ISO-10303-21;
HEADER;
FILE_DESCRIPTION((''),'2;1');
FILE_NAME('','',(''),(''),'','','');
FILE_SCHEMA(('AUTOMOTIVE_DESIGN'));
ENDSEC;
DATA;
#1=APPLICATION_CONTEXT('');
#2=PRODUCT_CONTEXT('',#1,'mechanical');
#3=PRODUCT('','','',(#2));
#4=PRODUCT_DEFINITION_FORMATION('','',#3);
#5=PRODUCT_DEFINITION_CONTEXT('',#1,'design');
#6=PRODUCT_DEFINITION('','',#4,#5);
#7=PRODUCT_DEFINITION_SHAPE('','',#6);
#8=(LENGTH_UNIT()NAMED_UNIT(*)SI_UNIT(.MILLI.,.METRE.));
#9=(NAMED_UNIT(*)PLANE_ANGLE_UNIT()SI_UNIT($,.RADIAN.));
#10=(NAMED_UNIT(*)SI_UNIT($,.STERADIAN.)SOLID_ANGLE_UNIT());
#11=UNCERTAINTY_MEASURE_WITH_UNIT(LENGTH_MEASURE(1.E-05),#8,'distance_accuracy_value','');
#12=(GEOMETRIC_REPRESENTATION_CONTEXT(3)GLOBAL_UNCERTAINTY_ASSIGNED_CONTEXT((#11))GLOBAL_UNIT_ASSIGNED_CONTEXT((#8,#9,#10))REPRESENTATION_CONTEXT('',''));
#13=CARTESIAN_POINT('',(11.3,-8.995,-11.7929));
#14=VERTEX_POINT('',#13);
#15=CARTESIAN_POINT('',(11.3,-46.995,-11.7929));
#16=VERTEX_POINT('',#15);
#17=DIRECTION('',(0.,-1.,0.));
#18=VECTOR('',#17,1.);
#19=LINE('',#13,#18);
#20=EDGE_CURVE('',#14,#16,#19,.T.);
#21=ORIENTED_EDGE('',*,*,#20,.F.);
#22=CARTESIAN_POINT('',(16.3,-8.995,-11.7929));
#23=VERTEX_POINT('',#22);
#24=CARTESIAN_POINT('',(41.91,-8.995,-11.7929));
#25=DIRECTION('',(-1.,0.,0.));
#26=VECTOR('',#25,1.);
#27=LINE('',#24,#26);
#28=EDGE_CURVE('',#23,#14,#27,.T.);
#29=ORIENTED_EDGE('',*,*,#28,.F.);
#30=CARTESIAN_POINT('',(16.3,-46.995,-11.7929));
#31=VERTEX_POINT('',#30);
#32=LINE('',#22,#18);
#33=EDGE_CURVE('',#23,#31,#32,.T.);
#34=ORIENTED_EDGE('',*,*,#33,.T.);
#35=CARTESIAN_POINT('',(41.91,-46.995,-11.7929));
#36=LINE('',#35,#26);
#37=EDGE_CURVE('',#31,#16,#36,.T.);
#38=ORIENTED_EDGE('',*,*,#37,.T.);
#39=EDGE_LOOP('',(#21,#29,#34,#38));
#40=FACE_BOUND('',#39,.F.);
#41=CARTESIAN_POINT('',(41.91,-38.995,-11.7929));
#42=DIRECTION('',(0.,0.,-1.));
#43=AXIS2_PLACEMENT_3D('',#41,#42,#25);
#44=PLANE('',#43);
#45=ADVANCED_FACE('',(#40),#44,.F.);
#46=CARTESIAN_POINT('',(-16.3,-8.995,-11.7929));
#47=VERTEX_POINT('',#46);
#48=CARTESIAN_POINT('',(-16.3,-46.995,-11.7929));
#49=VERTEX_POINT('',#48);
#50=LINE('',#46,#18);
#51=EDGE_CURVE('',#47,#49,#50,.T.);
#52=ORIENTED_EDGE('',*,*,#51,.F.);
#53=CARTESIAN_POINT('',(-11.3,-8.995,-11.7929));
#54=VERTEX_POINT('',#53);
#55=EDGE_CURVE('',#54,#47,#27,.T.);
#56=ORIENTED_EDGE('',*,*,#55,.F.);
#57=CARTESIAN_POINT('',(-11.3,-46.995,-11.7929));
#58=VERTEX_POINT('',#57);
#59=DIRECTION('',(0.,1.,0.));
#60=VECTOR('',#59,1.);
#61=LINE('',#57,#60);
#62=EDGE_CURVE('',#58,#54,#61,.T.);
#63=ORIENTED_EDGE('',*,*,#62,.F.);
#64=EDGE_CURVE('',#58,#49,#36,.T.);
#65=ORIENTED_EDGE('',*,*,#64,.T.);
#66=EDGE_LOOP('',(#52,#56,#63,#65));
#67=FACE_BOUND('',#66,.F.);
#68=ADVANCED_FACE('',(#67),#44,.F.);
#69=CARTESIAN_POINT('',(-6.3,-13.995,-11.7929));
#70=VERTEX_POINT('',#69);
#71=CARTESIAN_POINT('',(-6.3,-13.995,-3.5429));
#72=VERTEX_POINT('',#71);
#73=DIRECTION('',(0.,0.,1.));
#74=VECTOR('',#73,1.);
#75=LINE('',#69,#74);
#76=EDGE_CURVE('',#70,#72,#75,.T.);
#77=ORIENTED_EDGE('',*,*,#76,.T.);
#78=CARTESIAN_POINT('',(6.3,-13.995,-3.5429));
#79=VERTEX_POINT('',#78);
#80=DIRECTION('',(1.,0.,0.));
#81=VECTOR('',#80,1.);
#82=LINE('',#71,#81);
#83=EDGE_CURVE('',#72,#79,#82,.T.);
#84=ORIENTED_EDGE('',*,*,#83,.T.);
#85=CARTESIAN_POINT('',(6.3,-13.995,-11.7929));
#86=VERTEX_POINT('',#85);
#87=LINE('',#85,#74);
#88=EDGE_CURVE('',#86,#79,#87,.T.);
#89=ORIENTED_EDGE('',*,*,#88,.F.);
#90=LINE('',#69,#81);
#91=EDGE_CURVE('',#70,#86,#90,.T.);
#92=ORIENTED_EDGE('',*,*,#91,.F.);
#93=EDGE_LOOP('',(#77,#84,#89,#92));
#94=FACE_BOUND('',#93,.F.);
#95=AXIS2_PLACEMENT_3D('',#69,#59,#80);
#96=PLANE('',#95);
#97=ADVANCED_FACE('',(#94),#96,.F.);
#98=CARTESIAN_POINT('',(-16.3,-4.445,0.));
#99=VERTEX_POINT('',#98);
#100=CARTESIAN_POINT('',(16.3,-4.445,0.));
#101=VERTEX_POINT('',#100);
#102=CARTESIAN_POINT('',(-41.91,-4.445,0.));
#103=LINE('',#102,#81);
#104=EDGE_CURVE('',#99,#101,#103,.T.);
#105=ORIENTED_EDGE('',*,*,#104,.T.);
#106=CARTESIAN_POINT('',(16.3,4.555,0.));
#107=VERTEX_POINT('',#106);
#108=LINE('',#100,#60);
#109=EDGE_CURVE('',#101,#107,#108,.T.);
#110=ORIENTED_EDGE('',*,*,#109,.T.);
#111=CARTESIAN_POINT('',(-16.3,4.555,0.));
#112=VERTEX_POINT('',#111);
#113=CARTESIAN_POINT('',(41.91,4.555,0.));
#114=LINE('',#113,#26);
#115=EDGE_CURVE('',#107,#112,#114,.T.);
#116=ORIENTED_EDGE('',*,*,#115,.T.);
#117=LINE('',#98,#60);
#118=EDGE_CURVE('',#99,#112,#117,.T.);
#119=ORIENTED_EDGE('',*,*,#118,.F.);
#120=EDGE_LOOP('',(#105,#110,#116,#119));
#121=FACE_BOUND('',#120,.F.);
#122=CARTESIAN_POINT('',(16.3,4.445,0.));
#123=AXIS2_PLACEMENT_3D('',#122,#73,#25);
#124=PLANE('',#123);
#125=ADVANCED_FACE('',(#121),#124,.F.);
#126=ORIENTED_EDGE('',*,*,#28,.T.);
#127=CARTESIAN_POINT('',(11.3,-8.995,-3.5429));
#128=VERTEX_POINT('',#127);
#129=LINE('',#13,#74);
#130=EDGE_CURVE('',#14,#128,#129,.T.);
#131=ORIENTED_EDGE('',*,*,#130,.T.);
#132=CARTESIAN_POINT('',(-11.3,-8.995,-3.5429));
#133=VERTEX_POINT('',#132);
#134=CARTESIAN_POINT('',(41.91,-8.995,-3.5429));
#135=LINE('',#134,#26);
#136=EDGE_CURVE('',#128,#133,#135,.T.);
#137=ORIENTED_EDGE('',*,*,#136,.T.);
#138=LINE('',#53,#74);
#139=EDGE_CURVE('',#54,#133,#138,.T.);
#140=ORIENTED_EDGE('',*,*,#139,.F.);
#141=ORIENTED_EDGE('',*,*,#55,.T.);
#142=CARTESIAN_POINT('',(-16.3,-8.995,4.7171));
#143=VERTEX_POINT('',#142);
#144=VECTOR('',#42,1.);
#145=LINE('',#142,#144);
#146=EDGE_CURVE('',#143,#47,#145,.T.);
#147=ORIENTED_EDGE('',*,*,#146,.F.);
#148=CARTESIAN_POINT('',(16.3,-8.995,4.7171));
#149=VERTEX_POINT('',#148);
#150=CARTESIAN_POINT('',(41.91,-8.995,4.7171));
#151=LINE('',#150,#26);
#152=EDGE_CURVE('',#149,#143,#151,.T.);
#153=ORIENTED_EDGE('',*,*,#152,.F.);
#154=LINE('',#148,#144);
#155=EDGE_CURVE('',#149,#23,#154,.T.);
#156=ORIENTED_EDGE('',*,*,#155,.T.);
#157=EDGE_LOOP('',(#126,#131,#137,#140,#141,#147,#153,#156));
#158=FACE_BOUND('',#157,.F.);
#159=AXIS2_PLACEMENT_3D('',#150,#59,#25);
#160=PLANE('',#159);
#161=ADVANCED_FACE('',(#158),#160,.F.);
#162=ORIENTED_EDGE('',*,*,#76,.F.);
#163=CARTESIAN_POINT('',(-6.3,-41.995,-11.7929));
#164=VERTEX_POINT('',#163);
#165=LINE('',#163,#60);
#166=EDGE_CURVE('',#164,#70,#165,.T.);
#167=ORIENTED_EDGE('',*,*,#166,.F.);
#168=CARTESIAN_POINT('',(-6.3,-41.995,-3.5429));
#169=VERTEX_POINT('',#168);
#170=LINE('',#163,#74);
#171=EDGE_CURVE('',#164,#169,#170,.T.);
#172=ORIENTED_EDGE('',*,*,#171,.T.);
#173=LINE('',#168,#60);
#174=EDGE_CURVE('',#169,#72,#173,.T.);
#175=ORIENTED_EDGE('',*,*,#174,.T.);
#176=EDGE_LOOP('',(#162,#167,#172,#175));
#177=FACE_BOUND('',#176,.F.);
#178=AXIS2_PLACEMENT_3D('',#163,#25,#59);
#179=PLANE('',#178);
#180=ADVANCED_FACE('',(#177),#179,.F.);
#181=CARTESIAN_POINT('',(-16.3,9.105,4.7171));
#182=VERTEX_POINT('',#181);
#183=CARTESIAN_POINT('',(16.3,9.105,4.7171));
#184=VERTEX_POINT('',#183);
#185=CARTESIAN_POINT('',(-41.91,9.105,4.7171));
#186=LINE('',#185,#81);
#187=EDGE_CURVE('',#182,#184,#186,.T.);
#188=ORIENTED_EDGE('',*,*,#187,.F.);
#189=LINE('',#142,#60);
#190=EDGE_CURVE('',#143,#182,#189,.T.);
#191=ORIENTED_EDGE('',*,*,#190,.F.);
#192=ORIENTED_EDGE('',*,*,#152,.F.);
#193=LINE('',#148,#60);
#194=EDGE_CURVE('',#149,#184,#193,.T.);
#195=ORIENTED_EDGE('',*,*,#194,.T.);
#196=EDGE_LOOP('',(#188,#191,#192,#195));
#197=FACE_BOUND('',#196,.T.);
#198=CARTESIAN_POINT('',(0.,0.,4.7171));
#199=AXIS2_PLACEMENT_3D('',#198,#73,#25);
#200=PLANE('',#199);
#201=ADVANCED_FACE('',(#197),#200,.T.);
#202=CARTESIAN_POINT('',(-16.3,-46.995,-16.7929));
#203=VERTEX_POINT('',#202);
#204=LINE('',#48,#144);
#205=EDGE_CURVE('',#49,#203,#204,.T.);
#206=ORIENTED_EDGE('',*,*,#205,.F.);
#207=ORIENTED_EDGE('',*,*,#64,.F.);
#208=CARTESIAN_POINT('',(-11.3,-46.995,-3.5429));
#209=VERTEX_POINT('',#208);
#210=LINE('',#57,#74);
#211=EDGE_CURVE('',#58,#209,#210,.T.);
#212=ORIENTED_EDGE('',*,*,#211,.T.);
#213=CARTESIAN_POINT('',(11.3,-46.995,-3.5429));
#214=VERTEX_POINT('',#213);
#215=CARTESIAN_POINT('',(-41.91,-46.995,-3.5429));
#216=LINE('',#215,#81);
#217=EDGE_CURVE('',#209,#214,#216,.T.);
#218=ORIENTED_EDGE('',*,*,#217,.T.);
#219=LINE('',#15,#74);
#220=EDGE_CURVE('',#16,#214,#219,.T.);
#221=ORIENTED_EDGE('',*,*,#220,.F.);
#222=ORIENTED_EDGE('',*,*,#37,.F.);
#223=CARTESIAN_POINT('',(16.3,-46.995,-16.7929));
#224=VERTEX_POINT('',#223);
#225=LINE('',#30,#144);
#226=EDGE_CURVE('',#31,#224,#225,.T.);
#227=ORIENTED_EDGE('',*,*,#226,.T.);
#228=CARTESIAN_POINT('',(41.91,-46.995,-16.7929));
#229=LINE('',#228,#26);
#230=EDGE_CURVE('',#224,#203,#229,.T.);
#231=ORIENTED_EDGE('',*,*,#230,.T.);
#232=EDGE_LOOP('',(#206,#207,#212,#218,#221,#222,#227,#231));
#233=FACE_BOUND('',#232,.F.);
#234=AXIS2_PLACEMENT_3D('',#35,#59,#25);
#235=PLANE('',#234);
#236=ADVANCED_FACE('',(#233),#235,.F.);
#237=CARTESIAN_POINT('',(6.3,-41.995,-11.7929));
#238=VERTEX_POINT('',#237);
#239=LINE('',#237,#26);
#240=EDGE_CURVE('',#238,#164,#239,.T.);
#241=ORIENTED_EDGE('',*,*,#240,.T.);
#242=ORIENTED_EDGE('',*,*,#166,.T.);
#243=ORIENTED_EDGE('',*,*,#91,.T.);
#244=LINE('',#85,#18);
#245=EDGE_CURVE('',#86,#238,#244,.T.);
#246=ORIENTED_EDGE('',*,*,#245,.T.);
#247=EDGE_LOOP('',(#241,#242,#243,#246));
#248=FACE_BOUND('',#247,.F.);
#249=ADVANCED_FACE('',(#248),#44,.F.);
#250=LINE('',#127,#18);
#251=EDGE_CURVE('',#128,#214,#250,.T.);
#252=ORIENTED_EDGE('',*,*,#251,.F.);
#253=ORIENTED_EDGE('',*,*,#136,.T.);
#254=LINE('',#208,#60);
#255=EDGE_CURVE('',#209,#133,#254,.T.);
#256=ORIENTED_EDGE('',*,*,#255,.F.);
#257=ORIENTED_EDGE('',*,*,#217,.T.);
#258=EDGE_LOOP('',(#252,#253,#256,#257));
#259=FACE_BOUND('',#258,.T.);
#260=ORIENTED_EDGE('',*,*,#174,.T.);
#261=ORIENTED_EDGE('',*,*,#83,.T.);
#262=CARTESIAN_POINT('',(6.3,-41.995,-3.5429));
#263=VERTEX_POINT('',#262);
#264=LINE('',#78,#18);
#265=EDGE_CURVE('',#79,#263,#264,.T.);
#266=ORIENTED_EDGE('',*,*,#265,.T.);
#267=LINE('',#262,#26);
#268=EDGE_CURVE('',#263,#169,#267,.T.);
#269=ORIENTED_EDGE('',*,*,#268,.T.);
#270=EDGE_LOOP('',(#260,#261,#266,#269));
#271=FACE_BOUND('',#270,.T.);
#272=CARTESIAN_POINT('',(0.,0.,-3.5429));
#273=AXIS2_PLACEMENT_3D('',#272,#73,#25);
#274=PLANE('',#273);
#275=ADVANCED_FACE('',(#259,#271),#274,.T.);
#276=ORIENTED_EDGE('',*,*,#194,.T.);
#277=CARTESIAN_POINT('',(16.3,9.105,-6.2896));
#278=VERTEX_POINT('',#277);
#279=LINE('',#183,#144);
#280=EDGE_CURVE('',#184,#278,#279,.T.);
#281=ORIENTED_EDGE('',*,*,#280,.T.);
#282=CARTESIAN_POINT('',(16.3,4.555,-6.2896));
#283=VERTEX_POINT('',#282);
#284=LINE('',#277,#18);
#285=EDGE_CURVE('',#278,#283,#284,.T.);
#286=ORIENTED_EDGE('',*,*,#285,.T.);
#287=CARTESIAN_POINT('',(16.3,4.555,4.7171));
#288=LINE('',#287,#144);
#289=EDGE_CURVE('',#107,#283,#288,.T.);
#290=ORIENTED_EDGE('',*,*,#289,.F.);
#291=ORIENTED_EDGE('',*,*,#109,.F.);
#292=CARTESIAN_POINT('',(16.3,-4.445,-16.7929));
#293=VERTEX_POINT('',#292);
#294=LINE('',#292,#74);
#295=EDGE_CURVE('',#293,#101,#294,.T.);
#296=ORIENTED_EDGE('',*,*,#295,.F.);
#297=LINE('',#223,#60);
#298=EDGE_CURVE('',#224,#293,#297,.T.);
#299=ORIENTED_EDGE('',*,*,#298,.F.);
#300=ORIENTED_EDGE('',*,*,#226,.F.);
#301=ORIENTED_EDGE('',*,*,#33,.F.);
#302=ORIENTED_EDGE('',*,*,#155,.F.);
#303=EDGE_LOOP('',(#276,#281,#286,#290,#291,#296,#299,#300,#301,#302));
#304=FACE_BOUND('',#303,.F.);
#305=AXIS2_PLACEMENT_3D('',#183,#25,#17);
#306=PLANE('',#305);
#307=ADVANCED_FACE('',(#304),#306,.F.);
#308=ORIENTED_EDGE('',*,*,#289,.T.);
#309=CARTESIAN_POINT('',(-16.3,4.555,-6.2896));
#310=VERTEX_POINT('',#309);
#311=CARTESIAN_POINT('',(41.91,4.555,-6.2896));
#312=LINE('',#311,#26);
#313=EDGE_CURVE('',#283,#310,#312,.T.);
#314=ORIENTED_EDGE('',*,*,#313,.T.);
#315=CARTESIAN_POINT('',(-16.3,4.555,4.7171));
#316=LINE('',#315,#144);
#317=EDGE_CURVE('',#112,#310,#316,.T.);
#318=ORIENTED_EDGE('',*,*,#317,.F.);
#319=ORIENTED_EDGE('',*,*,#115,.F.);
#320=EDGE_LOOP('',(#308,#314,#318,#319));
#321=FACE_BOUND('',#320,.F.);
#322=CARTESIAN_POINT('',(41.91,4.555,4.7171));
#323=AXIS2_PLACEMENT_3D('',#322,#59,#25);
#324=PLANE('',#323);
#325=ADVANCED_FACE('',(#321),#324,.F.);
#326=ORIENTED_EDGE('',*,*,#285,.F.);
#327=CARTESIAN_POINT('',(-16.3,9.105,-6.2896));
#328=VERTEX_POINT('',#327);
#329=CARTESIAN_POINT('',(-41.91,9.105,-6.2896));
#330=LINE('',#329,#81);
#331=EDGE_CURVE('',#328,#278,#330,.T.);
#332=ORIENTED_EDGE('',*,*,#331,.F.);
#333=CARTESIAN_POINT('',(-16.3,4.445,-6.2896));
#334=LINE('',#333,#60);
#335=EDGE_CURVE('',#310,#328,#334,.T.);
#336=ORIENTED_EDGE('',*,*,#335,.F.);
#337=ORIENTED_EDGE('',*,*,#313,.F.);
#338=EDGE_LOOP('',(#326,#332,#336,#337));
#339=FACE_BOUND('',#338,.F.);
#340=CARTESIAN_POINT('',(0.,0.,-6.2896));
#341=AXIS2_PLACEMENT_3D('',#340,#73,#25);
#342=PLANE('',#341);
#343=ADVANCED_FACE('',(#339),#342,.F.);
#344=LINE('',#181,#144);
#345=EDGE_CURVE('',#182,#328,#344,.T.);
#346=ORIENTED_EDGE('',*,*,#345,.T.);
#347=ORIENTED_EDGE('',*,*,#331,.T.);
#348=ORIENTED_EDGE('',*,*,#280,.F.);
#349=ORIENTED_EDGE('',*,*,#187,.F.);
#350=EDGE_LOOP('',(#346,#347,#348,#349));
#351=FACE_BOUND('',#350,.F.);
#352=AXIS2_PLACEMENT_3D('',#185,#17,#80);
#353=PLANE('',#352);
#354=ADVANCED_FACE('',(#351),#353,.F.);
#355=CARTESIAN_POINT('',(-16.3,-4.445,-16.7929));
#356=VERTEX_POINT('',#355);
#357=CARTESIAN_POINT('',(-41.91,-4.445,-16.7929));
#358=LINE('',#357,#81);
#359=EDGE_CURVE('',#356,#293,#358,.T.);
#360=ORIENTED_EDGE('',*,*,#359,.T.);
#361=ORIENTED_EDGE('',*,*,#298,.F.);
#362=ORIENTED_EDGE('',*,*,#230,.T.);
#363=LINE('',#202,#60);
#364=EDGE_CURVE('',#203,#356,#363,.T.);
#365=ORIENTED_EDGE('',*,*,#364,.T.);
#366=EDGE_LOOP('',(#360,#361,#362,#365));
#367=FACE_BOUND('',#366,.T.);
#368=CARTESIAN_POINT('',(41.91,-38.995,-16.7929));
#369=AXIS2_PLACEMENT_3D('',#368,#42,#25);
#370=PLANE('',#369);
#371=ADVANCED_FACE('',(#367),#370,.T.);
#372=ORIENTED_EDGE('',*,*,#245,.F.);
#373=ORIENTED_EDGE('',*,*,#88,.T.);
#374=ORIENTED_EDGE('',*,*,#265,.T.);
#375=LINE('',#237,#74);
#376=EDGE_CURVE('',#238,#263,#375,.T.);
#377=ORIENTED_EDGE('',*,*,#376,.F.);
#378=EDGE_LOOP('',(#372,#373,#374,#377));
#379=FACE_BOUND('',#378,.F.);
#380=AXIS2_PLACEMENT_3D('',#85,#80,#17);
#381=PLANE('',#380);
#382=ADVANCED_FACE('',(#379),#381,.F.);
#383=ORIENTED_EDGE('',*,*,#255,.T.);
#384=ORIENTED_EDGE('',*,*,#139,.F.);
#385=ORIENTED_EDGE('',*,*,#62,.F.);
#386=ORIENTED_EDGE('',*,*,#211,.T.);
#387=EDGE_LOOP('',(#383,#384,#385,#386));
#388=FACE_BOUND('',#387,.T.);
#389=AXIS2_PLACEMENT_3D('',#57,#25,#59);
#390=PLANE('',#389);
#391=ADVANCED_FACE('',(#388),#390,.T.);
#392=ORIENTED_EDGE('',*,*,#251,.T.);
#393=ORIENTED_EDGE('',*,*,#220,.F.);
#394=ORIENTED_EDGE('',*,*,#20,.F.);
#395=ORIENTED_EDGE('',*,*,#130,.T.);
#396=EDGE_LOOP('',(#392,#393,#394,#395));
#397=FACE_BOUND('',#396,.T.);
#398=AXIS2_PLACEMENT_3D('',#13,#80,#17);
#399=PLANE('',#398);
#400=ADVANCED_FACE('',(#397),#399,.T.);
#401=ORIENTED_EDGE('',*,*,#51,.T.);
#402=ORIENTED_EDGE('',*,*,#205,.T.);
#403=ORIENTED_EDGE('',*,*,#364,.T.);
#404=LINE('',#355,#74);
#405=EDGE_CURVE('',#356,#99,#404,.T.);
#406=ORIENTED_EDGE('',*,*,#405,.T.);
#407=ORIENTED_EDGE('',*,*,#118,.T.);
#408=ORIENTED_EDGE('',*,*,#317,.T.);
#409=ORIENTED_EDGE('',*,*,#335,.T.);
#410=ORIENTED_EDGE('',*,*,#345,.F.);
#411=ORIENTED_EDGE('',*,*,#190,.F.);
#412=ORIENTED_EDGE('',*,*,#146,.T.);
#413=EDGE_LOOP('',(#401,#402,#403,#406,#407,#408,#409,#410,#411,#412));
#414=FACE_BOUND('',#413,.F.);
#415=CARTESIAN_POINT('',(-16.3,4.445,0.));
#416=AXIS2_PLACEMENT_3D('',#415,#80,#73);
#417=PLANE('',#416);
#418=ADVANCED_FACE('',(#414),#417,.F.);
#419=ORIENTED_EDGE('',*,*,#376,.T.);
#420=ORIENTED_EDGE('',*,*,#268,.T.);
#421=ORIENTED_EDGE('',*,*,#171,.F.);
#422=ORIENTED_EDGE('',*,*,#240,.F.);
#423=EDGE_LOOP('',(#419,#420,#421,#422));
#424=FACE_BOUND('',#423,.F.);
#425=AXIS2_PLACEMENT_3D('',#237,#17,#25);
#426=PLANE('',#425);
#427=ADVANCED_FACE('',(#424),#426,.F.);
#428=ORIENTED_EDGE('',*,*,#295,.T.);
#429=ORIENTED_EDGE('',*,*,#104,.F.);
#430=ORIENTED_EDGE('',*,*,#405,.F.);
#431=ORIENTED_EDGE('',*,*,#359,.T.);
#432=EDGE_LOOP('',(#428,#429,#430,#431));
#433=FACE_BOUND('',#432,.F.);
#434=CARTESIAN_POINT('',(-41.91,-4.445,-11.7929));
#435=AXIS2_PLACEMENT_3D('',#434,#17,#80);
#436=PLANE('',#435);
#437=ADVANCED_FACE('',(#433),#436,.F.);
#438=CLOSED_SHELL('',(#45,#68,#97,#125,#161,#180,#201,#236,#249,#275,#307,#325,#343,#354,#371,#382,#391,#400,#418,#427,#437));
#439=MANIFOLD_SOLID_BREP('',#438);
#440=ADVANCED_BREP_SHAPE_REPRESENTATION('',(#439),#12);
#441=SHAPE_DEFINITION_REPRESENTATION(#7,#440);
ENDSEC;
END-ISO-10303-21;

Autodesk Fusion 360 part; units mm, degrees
sketch "Sketch1" plane through (0, 0, 0) normal (0, 0, 1) x (1, 0, 0)
  line L0 (-41.91, -4.445) -> (41.91, -4.445)
  line L1 (41.91, -4.445) -> (41.91, 4.445)
  line L2 (41.91, 4.445) -> (-41.91, 4.445)
  line L3 (-41.91, 4.445) -> (-41.91, -4.445)
  line L4 (-41.91, 4.445) -> (41.91, -4.445) construction
  line L5 (41.91, 4.445) -> (-41.91, -4.445) construction
  dimension "d1" = 83.82
  dimension "d2" = 8.89
extrude "Extrude1" add sketch "Sketch1" along normal blind 4.7171 makes body 1
sketch "Sketch2" plane through (0, 0, 4.7171) normal (0, 0, 1) x (-1, 0, 0)
  line L0 (41.91, -4.445) -> (41.91, 4.445)
  line L1 (41.91, 4.445) -> (-41.91, 4.445)
  line L2 (-41.91, 4.445) -> (-41.91, -4.445)
  line L3 (-41.91, -4.445) -> (41.91, -4.445)
  line L4 (-41.91, -4.445) -> (41.91, -4.445)
  line L5 (41.91, -4.445) -> (41.91, -9.105)
  line L6 (41.91, -9.105) -> (-41.91, -9.105)
  line L7 (-41.91, -9.105) -> (-41.91, -4.445)
  line L8 (-41.91, -4.555) -> (41.91, -4.555)
  dimension "d5" = 4.66
  dimension "d34" = 0.11
extrude "Extrude2" add sketch "Sketch2" against normal blind 11.0067 separate body contours L5 L6 L7 L8 makes body 2
sketch "Sketch3" plane through (0, 0, 4.7171) normal (0, 0, 1) x (-1, 0, 0)
  line L0 (41.91, -4.445) -> (41.91, 4.445)
  line L1 (41.91, 4.445) -> (-41.91, 4.445)
  line L2 (-41.91, 4.445) -> (-41.91, -4.445)
  line L3 (-41.91, -9.105) -> (41.91, -9.105)
  line L4 (41.91, 4.445) -> (-41.91, 4.445)
  line L5 (-41.91, 4.445) -> (-41.91, 8.995)
  line L6 (-41.91, 8.995) -> (41.91, 8.995)
  line L7 (41.91, 8.995) -> (41.91, 4.445)
  line L8 (-41.91, -4.445) -> (41.91, -4.445)
  line L9 (-41.91, -4.555) -> (-41.91, -9.105)
  line L10 (41.91, -9.105) -> (41.91, -4.555)
  line L11 (41.91, -4.555) -> (-41.91, -4.555)
  dimension "d8" = 4.55
extrude "Extrude3" add sketch "Sketch3" against normal blind 16.51 contours L1 L4 L5 L6 L7 bodies 1
ref_plane "WorkPlane1" through (0, -2.275, -11.7929) normal (0, 0, 1) x (1, 0, 0)
sketch "Sketch4" plane through (0, 0, -11.7929) normal (0, 0, 1) x (1, 0, 0)
  line L0 (41.91, -8.995) -> (-41.91, -8.995)
  line L1 (-41.91, -8.995) -> (41.91, -8.995)
  line L2 (41.91, -8.995) -> (41.91, -38.995)
  line L3 (41.91, -38.995) -> (-41.91, -38.995)
  line L4 (-41.91, -38.995) -> (-41.91, -8.995)
  dimension "d12" = 30
extrude "Extrude4" add sketch "Sketch4" against normal blind 5 separate body makes body 3
sketch "Sketch5" plane through (0, 0, -11.7929) normal (0, 0, -1) x (1, 0, 0)
  line L0 (41.91, 8.995) -> (-41.91, 8.995)
  line L1 (-41.91, 8.995) -> (-41.91, 4.445)
  line L2 (-41.91, 4.445) -> (41.91, 4.445)
  line L3 (41.91, 4.445) -> (41.91, 8.995)
extrude "Extrude5" add sketch "Sketch5" along normal blind 5 bodies 1 3
extrude "Extrude6" add 1 faces at (13.97, -38.995, -13.4595) along direction (0, -1, 0) blind 8 on bodies 1 bodies 1
sketch "Sketch6" plane through (0, 0, -11.7929) normal (0, 0, 1) x (-1, 0, 0)
  line L0 (-41.91, 46.995) -> (-41.91, 8.995)
  line L1 (-41.91, 8.995) -> (41.91, 8.995)
  line L2 (41.91, 8.995) -> (41.91, 46.995)
  line L3 (6.3, 13.995) -> (-6.3, 13.995)
  line L4 (-6.3, 13.995) -> (-6.3, 41.995)
  line L5 (-6.3, 41.995) -> (6.3, 41.995)
  line L6 (6.3, 41.995) -> (6.3, 13.995)
  line L7 (6.3, 13.995) -> (-6.3, 41.995) construction
  line L8 (-6.3, 13.995) -> (6.3, 41.995) construction
  line L9 (-41.91, 8.995) -> (41.91, 8.995)
  line L10 (41.91, 46.995) -> (-41.91, 46.995)
  line L11 (11.3, 8.995) -> (-11.3, 8.995)
  line L12 (-11.3, 8.995) -> (-11.3, 46.995)
  line L13 (-11.3, 46.995) -> (11.3, 46.995)
  line L14 (11.3, 46.995) -> (11.3, 8.995)
  line L15 (0, 8.995) -> (0, 46.995) construction
  line L16 (16.3, 8.995) -> (-16.3, 8.995)
  line L17 (-16.3, 8.995) -> (-16.3, 46.995)
  line L18 (-16.3, 46.995) -> (16.3, 46.995)
  line L19 (16.3, 46.995) -> (16.3, 8.995)
  dimension "d17" = 12.6
  dimension "d18" = 28
  dimension "d22" = 5
  dimension "d23" = 5
  dimension "d24" = 5
  dimension "d25" = 5
  dimension "d26" = 5
  dimension "d27" = 25.61
extrude "Extrude7" cut 1 faces at (-41.91, -20.145, -15.1262) along direction (1, 0, 0) blind 25.61 on bodies 1 bodies 1
extrude "Extrude8" cut 1 faces at (41.91, -20.145, -15.1262) along direction (-1, 0, 0) blind 25.61 on bodies 1 bodies 1
extrude "Extrude9" add sketch "Sketch6" along normal blind 8.25 contours L1 L9 L10 L11 L12 L13 L14 L16 L18 bodies 1
extrude "Extrude10" add 1 faces at (5.4333, 4.445, 1.5724) along direction (0, 1, 0) blind 0.11 on bodies 1 bodies 1 2
extrude "Extrude11" cut 1 faces at (41.91, 7.5883, 1.0483) along direction (-1, 0, 0) blind 25.61 on bodies 1 bodies 1
extrude "Extrude12" cut 1 faces at (-41.91, 6.0717, 1.0483) along direction (1, 0, 0) blind 25.61 on bodies 1 bodies 1
equation "d3 = ( 33.02 / 7 ) * 1 mm"
equation "d6 = ( ( -2 * 33.02 ) / 6 ) * 1 mm"
equation "d9 = ( -33.02 / 2 ) * 1 mm"
equation "d11 = ( -33.02 / 2 ) * 1 mm"
equation "d32 = ( 33 / 4 ) * 1 mm"
